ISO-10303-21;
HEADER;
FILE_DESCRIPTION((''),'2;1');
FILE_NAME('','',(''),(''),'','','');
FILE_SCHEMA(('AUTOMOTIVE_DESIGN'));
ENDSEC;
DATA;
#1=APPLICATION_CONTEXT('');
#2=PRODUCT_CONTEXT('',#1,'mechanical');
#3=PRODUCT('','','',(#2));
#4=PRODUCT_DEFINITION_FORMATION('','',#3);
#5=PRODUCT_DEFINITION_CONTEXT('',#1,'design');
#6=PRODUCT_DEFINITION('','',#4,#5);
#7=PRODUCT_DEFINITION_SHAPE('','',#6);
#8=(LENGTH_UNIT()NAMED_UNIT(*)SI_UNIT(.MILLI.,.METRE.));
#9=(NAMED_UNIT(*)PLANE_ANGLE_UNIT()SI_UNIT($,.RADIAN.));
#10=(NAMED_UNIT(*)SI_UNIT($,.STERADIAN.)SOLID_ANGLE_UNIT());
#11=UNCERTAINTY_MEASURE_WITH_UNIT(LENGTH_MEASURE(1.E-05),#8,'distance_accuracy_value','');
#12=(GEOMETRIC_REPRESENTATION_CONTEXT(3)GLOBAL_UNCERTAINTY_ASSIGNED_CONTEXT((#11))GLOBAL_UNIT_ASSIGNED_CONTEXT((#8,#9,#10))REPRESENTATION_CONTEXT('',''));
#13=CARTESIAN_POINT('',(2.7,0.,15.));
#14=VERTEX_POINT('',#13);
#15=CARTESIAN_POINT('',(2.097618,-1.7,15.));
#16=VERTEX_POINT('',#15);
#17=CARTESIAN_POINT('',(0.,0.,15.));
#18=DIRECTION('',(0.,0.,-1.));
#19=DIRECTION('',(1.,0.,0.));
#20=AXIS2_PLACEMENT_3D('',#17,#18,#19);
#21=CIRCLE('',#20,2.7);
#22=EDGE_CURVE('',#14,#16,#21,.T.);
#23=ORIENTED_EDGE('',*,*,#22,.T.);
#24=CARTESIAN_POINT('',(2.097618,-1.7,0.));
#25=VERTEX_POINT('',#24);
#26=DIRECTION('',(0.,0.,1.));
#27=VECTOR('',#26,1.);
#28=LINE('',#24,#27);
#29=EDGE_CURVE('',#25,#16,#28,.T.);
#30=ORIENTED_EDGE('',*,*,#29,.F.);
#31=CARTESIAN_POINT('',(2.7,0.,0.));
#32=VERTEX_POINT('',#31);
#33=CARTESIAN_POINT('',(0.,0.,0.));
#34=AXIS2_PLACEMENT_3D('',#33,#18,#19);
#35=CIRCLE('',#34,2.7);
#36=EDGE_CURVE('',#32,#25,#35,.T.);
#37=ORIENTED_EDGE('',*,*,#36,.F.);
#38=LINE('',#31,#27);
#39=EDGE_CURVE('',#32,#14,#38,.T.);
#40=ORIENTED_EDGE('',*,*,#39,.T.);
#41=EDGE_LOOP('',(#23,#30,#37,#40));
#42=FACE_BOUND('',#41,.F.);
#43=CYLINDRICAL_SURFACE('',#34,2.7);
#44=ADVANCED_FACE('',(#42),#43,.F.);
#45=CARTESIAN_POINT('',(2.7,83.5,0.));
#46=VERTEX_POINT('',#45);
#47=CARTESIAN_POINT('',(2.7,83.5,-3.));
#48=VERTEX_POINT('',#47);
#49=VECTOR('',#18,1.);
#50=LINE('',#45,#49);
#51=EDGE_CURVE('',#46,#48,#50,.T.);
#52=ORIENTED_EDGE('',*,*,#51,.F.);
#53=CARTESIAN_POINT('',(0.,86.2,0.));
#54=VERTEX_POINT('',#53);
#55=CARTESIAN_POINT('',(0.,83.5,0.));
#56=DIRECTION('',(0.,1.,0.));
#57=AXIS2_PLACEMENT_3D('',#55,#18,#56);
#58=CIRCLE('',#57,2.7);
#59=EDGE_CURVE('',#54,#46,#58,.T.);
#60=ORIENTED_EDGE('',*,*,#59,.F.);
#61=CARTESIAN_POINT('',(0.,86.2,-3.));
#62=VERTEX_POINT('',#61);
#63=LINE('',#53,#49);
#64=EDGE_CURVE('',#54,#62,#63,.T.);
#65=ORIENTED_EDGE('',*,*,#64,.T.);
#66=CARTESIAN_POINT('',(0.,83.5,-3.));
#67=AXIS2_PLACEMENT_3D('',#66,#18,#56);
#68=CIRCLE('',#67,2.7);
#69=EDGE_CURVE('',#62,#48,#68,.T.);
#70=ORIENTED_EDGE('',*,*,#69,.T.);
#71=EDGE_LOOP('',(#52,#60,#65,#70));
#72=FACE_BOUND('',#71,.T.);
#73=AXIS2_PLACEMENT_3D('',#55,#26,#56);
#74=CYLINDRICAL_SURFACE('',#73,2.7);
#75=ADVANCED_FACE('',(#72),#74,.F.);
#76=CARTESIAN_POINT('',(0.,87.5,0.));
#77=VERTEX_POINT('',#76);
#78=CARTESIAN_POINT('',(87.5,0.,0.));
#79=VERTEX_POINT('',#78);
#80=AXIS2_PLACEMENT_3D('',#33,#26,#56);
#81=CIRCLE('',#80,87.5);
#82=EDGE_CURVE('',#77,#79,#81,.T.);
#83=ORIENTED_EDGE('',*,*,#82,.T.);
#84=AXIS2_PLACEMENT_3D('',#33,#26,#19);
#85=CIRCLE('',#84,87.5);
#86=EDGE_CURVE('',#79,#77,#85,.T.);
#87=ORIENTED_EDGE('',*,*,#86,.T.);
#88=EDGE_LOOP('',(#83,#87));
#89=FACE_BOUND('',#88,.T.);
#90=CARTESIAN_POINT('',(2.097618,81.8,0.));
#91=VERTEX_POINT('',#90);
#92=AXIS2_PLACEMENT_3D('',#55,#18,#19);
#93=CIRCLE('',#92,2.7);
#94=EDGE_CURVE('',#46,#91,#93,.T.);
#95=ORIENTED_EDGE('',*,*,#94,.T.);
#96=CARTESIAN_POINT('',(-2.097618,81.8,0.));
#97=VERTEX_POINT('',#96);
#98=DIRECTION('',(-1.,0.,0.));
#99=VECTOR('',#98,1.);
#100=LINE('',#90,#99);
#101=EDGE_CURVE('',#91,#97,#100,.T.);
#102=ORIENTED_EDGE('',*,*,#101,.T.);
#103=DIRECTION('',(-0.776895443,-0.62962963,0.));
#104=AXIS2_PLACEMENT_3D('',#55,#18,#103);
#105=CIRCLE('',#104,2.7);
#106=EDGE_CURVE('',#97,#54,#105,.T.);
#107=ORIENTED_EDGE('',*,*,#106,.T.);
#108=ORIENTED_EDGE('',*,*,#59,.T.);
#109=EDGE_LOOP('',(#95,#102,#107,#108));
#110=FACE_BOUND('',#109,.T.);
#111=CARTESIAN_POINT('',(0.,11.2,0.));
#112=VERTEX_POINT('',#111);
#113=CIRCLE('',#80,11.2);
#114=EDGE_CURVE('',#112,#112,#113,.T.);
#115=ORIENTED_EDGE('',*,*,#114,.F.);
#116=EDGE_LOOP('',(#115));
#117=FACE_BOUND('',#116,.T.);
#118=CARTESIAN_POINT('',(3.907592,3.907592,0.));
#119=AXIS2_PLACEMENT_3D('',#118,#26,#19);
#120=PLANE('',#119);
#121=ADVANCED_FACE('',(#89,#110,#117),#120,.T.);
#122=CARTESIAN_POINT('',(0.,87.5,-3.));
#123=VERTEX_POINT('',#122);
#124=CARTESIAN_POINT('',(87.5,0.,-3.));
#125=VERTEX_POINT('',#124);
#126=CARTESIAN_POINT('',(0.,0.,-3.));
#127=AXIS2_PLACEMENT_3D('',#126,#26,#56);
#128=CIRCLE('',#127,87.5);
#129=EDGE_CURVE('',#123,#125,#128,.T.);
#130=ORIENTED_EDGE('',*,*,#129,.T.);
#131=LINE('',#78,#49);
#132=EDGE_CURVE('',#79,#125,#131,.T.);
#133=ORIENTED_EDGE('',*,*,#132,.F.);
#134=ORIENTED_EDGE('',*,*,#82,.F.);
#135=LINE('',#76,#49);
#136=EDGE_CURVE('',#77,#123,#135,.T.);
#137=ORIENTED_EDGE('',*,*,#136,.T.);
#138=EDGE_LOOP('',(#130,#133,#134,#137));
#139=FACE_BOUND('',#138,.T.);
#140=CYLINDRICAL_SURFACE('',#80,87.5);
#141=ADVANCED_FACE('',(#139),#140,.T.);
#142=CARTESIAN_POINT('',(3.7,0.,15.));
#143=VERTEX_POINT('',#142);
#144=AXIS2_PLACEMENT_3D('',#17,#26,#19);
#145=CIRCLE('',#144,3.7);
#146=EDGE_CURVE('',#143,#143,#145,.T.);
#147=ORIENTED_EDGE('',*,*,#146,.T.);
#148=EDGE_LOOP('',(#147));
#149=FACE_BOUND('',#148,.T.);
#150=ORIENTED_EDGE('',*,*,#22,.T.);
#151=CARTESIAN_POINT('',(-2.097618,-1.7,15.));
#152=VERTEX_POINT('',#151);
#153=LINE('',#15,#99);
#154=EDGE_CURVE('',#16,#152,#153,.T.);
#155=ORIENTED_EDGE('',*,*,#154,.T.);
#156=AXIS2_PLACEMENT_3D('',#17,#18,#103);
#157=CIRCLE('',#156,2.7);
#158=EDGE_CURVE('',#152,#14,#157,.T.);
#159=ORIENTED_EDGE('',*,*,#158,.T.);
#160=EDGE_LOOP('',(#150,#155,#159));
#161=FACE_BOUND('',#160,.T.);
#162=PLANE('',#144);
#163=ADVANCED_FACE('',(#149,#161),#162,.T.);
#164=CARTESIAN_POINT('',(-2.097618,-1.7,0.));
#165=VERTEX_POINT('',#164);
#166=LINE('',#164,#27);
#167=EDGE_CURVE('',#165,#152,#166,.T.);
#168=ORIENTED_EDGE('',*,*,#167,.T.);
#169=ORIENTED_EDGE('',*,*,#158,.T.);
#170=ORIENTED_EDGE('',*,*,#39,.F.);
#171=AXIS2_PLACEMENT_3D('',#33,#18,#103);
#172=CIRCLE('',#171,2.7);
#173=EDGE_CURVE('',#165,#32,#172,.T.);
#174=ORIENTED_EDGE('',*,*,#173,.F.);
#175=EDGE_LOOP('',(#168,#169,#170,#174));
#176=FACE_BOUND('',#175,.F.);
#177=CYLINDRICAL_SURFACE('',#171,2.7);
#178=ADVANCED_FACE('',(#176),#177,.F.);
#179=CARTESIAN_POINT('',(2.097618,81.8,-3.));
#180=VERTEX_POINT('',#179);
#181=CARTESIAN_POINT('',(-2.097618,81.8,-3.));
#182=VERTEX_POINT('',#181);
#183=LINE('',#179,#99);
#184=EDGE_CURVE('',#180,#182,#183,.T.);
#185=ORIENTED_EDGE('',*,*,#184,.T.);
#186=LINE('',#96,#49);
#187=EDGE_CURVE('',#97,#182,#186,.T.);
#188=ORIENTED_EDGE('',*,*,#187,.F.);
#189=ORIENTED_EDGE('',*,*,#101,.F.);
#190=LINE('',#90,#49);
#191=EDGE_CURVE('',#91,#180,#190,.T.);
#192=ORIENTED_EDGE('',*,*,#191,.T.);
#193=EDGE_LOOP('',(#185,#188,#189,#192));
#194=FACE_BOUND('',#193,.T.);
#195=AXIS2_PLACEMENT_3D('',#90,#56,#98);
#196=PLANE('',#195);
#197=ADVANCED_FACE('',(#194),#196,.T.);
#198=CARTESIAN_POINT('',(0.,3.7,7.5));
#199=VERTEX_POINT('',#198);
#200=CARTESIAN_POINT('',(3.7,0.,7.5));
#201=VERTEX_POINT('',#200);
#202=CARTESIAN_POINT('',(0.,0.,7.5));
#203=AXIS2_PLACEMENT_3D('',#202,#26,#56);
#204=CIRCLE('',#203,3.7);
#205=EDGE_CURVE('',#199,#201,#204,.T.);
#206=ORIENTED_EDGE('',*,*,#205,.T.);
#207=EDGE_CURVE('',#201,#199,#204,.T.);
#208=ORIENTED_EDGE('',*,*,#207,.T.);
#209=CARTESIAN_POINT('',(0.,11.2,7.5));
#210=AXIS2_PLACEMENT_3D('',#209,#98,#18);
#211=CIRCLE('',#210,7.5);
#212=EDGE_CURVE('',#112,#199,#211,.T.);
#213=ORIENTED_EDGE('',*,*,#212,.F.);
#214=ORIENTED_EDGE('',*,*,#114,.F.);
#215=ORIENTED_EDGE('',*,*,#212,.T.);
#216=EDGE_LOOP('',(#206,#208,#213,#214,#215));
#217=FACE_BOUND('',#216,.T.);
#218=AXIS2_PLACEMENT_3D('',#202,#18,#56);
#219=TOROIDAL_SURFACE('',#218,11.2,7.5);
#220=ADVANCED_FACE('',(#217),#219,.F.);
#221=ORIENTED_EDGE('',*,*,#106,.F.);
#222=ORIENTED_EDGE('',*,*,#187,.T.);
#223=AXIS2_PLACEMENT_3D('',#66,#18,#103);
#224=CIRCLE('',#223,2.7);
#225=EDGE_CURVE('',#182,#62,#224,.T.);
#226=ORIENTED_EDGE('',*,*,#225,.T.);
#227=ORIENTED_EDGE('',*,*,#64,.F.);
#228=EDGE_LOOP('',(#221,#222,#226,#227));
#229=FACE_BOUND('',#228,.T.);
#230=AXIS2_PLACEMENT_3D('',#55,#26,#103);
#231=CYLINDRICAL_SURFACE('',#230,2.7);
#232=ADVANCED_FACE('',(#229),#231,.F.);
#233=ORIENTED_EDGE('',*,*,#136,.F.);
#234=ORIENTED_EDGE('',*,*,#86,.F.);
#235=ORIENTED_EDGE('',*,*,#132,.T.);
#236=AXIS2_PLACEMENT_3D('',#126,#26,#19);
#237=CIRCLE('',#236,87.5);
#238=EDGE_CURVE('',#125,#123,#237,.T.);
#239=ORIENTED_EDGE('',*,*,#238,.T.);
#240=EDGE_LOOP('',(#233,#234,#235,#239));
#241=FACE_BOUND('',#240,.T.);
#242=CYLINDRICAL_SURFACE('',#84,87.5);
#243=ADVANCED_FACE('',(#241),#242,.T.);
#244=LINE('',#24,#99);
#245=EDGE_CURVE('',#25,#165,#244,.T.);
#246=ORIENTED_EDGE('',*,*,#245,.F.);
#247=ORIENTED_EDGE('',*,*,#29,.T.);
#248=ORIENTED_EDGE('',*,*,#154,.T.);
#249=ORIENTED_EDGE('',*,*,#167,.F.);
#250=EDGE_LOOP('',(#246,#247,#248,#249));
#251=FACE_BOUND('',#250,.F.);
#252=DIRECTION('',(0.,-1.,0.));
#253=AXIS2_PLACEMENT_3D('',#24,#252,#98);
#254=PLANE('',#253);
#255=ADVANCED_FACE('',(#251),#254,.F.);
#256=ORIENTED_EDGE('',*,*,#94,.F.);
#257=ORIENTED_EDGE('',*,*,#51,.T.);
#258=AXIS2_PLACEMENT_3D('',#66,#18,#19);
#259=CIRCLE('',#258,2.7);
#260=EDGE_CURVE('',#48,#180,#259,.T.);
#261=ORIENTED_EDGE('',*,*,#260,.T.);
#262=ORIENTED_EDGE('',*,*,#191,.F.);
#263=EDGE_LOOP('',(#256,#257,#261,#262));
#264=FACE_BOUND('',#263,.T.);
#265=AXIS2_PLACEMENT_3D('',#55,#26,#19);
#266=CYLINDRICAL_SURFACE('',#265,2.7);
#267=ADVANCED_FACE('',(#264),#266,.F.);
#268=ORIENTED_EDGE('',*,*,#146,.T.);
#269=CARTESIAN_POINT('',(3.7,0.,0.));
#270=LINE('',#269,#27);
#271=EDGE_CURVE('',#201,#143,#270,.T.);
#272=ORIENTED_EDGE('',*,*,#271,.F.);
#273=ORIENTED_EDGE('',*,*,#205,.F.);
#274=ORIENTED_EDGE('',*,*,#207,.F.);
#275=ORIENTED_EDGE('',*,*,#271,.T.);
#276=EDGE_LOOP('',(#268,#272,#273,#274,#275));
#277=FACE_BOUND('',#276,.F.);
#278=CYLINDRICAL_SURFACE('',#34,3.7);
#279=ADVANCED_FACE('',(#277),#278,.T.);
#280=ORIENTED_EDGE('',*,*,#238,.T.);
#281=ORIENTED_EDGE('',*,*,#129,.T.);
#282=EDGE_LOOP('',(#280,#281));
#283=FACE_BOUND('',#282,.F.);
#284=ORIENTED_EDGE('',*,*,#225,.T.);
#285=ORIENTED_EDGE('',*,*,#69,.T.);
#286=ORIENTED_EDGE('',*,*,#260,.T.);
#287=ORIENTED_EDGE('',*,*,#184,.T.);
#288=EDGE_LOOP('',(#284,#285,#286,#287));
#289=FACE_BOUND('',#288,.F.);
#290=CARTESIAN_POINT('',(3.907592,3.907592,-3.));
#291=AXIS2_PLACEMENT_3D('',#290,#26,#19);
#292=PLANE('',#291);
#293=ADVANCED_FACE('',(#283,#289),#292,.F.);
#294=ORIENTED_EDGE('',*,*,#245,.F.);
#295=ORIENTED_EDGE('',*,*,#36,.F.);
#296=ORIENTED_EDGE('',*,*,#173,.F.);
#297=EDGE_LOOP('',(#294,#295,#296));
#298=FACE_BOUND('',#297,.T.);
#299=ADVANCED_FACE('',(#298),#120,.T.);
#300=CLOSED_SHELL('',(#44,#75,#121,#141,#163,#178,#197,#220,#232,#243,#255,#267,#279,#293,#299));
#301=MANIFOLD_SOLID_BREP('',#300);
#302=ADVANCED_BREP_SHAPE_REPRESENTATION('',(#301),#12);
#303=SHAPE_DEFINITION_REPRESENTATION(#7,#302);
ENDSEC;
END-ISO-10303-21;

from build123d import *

# Parameters (mm, degrees)
F0_R     = 3.7
F1_DEPTH = 15
F3_DEPTH = 3


with BuildPart() as f1:
    # F0 (on Top) → F1 (new body)
    with BuildSketch(Plane.XY):
        Circle(F0_R)
        with BuildLine():
            ThreePointArc((-2.0976176963, -1.7), (-0.9017849577, 2.5449526302), (2.7, 0))
            ThreePointArc((2.7, 0), (2.5449526302, -0.9017849577), (2.0976176963, -1.7))
            ThreePointArc((2.0976176963, -1.7), (0, -2.7), (-2.0976176963, -1.7))
        make_face(mode=Mode.SUBTRACT)
        with BuildLine():
            Line((0, -1.7), (-2.0976176963, -1.7))
            ThreePointArc((-2.0976176963, -1.7), (0, -2.7), (2.0976176963, -1.7))
            Line((2.0976176963, -1.7), (0, -1.7))
        make_face()
    extrude(amount=F1_DEPTH)

    # F2 (on Top) → F3 (join)
    with BuildSketch(Plane.XY):
        with BuildLine():
            ThreePointArc((0, 87.5), (-61.8718433538, -61.8718433538), (87.5, 0))
            ThreePointArc((87.5, 0), (61.8718433538, 61.8718433538), (0, 87.5))
        make_face()
        with BuildLine():
            ThreePointArc((-2.0976176963, 81.8), (-2.4372115214, 84.6618950039), (0, 86.2))
            ThreePointArc((0, 86.2), (1.9091883092, 85.4091883092), (2.7, 83.5))
            ThreePointArc((2.7, 83.5), (2.5449526302, 82.5982150423), (2.0976176963, 81.8))
            ThreePointArc((2.0976176963, 81.8), (1.1618950039, 81.0627884786), (0, 80.8))
            ThreePointArc((0, 80.8), (-1.1618950039, 81.0627884786), (-2.0976176963, 81.8))
        make_face(mode=Mode.SUBTRACT)
        with BuildLine():
            Line((0, 81.8), (-2.0976176963, 81.8))
            ThreePointArc((-2.0976176963, 81.8), (-1.1618950039, 81.0627884786), (0, 80.8))
            Line((0, 80.8), (0, 81.8))
        make_face()
        with BuildLine():
            Line((2.0976176963, 81.8), (0, 81.8))
            Line((0, 81.8), (0, 80.8))
            ThreePointArc((0, 80.8), (1.1618950039, 81.0627884786), (2.0976176963, 81.8))
        make_face()
    extrude(amount=-F3_DEPTH)

    # F4 (on Right) → F5 (revolve)
    with BuildSketch(Plane.YZ):
        with BuildLine():
            Line((3.7, 7.5), (3.7, 0))
            Line((3.7, 0), (11.2, 0))
            ThreePointArc((11.2, 0), (5.8966991411, 2.1966991411), (3.7, 7.5))
        make_face()
    revolve(axis=Axis((0, 0, 3.75), (0, 0, 1)))


solid = f1.part
